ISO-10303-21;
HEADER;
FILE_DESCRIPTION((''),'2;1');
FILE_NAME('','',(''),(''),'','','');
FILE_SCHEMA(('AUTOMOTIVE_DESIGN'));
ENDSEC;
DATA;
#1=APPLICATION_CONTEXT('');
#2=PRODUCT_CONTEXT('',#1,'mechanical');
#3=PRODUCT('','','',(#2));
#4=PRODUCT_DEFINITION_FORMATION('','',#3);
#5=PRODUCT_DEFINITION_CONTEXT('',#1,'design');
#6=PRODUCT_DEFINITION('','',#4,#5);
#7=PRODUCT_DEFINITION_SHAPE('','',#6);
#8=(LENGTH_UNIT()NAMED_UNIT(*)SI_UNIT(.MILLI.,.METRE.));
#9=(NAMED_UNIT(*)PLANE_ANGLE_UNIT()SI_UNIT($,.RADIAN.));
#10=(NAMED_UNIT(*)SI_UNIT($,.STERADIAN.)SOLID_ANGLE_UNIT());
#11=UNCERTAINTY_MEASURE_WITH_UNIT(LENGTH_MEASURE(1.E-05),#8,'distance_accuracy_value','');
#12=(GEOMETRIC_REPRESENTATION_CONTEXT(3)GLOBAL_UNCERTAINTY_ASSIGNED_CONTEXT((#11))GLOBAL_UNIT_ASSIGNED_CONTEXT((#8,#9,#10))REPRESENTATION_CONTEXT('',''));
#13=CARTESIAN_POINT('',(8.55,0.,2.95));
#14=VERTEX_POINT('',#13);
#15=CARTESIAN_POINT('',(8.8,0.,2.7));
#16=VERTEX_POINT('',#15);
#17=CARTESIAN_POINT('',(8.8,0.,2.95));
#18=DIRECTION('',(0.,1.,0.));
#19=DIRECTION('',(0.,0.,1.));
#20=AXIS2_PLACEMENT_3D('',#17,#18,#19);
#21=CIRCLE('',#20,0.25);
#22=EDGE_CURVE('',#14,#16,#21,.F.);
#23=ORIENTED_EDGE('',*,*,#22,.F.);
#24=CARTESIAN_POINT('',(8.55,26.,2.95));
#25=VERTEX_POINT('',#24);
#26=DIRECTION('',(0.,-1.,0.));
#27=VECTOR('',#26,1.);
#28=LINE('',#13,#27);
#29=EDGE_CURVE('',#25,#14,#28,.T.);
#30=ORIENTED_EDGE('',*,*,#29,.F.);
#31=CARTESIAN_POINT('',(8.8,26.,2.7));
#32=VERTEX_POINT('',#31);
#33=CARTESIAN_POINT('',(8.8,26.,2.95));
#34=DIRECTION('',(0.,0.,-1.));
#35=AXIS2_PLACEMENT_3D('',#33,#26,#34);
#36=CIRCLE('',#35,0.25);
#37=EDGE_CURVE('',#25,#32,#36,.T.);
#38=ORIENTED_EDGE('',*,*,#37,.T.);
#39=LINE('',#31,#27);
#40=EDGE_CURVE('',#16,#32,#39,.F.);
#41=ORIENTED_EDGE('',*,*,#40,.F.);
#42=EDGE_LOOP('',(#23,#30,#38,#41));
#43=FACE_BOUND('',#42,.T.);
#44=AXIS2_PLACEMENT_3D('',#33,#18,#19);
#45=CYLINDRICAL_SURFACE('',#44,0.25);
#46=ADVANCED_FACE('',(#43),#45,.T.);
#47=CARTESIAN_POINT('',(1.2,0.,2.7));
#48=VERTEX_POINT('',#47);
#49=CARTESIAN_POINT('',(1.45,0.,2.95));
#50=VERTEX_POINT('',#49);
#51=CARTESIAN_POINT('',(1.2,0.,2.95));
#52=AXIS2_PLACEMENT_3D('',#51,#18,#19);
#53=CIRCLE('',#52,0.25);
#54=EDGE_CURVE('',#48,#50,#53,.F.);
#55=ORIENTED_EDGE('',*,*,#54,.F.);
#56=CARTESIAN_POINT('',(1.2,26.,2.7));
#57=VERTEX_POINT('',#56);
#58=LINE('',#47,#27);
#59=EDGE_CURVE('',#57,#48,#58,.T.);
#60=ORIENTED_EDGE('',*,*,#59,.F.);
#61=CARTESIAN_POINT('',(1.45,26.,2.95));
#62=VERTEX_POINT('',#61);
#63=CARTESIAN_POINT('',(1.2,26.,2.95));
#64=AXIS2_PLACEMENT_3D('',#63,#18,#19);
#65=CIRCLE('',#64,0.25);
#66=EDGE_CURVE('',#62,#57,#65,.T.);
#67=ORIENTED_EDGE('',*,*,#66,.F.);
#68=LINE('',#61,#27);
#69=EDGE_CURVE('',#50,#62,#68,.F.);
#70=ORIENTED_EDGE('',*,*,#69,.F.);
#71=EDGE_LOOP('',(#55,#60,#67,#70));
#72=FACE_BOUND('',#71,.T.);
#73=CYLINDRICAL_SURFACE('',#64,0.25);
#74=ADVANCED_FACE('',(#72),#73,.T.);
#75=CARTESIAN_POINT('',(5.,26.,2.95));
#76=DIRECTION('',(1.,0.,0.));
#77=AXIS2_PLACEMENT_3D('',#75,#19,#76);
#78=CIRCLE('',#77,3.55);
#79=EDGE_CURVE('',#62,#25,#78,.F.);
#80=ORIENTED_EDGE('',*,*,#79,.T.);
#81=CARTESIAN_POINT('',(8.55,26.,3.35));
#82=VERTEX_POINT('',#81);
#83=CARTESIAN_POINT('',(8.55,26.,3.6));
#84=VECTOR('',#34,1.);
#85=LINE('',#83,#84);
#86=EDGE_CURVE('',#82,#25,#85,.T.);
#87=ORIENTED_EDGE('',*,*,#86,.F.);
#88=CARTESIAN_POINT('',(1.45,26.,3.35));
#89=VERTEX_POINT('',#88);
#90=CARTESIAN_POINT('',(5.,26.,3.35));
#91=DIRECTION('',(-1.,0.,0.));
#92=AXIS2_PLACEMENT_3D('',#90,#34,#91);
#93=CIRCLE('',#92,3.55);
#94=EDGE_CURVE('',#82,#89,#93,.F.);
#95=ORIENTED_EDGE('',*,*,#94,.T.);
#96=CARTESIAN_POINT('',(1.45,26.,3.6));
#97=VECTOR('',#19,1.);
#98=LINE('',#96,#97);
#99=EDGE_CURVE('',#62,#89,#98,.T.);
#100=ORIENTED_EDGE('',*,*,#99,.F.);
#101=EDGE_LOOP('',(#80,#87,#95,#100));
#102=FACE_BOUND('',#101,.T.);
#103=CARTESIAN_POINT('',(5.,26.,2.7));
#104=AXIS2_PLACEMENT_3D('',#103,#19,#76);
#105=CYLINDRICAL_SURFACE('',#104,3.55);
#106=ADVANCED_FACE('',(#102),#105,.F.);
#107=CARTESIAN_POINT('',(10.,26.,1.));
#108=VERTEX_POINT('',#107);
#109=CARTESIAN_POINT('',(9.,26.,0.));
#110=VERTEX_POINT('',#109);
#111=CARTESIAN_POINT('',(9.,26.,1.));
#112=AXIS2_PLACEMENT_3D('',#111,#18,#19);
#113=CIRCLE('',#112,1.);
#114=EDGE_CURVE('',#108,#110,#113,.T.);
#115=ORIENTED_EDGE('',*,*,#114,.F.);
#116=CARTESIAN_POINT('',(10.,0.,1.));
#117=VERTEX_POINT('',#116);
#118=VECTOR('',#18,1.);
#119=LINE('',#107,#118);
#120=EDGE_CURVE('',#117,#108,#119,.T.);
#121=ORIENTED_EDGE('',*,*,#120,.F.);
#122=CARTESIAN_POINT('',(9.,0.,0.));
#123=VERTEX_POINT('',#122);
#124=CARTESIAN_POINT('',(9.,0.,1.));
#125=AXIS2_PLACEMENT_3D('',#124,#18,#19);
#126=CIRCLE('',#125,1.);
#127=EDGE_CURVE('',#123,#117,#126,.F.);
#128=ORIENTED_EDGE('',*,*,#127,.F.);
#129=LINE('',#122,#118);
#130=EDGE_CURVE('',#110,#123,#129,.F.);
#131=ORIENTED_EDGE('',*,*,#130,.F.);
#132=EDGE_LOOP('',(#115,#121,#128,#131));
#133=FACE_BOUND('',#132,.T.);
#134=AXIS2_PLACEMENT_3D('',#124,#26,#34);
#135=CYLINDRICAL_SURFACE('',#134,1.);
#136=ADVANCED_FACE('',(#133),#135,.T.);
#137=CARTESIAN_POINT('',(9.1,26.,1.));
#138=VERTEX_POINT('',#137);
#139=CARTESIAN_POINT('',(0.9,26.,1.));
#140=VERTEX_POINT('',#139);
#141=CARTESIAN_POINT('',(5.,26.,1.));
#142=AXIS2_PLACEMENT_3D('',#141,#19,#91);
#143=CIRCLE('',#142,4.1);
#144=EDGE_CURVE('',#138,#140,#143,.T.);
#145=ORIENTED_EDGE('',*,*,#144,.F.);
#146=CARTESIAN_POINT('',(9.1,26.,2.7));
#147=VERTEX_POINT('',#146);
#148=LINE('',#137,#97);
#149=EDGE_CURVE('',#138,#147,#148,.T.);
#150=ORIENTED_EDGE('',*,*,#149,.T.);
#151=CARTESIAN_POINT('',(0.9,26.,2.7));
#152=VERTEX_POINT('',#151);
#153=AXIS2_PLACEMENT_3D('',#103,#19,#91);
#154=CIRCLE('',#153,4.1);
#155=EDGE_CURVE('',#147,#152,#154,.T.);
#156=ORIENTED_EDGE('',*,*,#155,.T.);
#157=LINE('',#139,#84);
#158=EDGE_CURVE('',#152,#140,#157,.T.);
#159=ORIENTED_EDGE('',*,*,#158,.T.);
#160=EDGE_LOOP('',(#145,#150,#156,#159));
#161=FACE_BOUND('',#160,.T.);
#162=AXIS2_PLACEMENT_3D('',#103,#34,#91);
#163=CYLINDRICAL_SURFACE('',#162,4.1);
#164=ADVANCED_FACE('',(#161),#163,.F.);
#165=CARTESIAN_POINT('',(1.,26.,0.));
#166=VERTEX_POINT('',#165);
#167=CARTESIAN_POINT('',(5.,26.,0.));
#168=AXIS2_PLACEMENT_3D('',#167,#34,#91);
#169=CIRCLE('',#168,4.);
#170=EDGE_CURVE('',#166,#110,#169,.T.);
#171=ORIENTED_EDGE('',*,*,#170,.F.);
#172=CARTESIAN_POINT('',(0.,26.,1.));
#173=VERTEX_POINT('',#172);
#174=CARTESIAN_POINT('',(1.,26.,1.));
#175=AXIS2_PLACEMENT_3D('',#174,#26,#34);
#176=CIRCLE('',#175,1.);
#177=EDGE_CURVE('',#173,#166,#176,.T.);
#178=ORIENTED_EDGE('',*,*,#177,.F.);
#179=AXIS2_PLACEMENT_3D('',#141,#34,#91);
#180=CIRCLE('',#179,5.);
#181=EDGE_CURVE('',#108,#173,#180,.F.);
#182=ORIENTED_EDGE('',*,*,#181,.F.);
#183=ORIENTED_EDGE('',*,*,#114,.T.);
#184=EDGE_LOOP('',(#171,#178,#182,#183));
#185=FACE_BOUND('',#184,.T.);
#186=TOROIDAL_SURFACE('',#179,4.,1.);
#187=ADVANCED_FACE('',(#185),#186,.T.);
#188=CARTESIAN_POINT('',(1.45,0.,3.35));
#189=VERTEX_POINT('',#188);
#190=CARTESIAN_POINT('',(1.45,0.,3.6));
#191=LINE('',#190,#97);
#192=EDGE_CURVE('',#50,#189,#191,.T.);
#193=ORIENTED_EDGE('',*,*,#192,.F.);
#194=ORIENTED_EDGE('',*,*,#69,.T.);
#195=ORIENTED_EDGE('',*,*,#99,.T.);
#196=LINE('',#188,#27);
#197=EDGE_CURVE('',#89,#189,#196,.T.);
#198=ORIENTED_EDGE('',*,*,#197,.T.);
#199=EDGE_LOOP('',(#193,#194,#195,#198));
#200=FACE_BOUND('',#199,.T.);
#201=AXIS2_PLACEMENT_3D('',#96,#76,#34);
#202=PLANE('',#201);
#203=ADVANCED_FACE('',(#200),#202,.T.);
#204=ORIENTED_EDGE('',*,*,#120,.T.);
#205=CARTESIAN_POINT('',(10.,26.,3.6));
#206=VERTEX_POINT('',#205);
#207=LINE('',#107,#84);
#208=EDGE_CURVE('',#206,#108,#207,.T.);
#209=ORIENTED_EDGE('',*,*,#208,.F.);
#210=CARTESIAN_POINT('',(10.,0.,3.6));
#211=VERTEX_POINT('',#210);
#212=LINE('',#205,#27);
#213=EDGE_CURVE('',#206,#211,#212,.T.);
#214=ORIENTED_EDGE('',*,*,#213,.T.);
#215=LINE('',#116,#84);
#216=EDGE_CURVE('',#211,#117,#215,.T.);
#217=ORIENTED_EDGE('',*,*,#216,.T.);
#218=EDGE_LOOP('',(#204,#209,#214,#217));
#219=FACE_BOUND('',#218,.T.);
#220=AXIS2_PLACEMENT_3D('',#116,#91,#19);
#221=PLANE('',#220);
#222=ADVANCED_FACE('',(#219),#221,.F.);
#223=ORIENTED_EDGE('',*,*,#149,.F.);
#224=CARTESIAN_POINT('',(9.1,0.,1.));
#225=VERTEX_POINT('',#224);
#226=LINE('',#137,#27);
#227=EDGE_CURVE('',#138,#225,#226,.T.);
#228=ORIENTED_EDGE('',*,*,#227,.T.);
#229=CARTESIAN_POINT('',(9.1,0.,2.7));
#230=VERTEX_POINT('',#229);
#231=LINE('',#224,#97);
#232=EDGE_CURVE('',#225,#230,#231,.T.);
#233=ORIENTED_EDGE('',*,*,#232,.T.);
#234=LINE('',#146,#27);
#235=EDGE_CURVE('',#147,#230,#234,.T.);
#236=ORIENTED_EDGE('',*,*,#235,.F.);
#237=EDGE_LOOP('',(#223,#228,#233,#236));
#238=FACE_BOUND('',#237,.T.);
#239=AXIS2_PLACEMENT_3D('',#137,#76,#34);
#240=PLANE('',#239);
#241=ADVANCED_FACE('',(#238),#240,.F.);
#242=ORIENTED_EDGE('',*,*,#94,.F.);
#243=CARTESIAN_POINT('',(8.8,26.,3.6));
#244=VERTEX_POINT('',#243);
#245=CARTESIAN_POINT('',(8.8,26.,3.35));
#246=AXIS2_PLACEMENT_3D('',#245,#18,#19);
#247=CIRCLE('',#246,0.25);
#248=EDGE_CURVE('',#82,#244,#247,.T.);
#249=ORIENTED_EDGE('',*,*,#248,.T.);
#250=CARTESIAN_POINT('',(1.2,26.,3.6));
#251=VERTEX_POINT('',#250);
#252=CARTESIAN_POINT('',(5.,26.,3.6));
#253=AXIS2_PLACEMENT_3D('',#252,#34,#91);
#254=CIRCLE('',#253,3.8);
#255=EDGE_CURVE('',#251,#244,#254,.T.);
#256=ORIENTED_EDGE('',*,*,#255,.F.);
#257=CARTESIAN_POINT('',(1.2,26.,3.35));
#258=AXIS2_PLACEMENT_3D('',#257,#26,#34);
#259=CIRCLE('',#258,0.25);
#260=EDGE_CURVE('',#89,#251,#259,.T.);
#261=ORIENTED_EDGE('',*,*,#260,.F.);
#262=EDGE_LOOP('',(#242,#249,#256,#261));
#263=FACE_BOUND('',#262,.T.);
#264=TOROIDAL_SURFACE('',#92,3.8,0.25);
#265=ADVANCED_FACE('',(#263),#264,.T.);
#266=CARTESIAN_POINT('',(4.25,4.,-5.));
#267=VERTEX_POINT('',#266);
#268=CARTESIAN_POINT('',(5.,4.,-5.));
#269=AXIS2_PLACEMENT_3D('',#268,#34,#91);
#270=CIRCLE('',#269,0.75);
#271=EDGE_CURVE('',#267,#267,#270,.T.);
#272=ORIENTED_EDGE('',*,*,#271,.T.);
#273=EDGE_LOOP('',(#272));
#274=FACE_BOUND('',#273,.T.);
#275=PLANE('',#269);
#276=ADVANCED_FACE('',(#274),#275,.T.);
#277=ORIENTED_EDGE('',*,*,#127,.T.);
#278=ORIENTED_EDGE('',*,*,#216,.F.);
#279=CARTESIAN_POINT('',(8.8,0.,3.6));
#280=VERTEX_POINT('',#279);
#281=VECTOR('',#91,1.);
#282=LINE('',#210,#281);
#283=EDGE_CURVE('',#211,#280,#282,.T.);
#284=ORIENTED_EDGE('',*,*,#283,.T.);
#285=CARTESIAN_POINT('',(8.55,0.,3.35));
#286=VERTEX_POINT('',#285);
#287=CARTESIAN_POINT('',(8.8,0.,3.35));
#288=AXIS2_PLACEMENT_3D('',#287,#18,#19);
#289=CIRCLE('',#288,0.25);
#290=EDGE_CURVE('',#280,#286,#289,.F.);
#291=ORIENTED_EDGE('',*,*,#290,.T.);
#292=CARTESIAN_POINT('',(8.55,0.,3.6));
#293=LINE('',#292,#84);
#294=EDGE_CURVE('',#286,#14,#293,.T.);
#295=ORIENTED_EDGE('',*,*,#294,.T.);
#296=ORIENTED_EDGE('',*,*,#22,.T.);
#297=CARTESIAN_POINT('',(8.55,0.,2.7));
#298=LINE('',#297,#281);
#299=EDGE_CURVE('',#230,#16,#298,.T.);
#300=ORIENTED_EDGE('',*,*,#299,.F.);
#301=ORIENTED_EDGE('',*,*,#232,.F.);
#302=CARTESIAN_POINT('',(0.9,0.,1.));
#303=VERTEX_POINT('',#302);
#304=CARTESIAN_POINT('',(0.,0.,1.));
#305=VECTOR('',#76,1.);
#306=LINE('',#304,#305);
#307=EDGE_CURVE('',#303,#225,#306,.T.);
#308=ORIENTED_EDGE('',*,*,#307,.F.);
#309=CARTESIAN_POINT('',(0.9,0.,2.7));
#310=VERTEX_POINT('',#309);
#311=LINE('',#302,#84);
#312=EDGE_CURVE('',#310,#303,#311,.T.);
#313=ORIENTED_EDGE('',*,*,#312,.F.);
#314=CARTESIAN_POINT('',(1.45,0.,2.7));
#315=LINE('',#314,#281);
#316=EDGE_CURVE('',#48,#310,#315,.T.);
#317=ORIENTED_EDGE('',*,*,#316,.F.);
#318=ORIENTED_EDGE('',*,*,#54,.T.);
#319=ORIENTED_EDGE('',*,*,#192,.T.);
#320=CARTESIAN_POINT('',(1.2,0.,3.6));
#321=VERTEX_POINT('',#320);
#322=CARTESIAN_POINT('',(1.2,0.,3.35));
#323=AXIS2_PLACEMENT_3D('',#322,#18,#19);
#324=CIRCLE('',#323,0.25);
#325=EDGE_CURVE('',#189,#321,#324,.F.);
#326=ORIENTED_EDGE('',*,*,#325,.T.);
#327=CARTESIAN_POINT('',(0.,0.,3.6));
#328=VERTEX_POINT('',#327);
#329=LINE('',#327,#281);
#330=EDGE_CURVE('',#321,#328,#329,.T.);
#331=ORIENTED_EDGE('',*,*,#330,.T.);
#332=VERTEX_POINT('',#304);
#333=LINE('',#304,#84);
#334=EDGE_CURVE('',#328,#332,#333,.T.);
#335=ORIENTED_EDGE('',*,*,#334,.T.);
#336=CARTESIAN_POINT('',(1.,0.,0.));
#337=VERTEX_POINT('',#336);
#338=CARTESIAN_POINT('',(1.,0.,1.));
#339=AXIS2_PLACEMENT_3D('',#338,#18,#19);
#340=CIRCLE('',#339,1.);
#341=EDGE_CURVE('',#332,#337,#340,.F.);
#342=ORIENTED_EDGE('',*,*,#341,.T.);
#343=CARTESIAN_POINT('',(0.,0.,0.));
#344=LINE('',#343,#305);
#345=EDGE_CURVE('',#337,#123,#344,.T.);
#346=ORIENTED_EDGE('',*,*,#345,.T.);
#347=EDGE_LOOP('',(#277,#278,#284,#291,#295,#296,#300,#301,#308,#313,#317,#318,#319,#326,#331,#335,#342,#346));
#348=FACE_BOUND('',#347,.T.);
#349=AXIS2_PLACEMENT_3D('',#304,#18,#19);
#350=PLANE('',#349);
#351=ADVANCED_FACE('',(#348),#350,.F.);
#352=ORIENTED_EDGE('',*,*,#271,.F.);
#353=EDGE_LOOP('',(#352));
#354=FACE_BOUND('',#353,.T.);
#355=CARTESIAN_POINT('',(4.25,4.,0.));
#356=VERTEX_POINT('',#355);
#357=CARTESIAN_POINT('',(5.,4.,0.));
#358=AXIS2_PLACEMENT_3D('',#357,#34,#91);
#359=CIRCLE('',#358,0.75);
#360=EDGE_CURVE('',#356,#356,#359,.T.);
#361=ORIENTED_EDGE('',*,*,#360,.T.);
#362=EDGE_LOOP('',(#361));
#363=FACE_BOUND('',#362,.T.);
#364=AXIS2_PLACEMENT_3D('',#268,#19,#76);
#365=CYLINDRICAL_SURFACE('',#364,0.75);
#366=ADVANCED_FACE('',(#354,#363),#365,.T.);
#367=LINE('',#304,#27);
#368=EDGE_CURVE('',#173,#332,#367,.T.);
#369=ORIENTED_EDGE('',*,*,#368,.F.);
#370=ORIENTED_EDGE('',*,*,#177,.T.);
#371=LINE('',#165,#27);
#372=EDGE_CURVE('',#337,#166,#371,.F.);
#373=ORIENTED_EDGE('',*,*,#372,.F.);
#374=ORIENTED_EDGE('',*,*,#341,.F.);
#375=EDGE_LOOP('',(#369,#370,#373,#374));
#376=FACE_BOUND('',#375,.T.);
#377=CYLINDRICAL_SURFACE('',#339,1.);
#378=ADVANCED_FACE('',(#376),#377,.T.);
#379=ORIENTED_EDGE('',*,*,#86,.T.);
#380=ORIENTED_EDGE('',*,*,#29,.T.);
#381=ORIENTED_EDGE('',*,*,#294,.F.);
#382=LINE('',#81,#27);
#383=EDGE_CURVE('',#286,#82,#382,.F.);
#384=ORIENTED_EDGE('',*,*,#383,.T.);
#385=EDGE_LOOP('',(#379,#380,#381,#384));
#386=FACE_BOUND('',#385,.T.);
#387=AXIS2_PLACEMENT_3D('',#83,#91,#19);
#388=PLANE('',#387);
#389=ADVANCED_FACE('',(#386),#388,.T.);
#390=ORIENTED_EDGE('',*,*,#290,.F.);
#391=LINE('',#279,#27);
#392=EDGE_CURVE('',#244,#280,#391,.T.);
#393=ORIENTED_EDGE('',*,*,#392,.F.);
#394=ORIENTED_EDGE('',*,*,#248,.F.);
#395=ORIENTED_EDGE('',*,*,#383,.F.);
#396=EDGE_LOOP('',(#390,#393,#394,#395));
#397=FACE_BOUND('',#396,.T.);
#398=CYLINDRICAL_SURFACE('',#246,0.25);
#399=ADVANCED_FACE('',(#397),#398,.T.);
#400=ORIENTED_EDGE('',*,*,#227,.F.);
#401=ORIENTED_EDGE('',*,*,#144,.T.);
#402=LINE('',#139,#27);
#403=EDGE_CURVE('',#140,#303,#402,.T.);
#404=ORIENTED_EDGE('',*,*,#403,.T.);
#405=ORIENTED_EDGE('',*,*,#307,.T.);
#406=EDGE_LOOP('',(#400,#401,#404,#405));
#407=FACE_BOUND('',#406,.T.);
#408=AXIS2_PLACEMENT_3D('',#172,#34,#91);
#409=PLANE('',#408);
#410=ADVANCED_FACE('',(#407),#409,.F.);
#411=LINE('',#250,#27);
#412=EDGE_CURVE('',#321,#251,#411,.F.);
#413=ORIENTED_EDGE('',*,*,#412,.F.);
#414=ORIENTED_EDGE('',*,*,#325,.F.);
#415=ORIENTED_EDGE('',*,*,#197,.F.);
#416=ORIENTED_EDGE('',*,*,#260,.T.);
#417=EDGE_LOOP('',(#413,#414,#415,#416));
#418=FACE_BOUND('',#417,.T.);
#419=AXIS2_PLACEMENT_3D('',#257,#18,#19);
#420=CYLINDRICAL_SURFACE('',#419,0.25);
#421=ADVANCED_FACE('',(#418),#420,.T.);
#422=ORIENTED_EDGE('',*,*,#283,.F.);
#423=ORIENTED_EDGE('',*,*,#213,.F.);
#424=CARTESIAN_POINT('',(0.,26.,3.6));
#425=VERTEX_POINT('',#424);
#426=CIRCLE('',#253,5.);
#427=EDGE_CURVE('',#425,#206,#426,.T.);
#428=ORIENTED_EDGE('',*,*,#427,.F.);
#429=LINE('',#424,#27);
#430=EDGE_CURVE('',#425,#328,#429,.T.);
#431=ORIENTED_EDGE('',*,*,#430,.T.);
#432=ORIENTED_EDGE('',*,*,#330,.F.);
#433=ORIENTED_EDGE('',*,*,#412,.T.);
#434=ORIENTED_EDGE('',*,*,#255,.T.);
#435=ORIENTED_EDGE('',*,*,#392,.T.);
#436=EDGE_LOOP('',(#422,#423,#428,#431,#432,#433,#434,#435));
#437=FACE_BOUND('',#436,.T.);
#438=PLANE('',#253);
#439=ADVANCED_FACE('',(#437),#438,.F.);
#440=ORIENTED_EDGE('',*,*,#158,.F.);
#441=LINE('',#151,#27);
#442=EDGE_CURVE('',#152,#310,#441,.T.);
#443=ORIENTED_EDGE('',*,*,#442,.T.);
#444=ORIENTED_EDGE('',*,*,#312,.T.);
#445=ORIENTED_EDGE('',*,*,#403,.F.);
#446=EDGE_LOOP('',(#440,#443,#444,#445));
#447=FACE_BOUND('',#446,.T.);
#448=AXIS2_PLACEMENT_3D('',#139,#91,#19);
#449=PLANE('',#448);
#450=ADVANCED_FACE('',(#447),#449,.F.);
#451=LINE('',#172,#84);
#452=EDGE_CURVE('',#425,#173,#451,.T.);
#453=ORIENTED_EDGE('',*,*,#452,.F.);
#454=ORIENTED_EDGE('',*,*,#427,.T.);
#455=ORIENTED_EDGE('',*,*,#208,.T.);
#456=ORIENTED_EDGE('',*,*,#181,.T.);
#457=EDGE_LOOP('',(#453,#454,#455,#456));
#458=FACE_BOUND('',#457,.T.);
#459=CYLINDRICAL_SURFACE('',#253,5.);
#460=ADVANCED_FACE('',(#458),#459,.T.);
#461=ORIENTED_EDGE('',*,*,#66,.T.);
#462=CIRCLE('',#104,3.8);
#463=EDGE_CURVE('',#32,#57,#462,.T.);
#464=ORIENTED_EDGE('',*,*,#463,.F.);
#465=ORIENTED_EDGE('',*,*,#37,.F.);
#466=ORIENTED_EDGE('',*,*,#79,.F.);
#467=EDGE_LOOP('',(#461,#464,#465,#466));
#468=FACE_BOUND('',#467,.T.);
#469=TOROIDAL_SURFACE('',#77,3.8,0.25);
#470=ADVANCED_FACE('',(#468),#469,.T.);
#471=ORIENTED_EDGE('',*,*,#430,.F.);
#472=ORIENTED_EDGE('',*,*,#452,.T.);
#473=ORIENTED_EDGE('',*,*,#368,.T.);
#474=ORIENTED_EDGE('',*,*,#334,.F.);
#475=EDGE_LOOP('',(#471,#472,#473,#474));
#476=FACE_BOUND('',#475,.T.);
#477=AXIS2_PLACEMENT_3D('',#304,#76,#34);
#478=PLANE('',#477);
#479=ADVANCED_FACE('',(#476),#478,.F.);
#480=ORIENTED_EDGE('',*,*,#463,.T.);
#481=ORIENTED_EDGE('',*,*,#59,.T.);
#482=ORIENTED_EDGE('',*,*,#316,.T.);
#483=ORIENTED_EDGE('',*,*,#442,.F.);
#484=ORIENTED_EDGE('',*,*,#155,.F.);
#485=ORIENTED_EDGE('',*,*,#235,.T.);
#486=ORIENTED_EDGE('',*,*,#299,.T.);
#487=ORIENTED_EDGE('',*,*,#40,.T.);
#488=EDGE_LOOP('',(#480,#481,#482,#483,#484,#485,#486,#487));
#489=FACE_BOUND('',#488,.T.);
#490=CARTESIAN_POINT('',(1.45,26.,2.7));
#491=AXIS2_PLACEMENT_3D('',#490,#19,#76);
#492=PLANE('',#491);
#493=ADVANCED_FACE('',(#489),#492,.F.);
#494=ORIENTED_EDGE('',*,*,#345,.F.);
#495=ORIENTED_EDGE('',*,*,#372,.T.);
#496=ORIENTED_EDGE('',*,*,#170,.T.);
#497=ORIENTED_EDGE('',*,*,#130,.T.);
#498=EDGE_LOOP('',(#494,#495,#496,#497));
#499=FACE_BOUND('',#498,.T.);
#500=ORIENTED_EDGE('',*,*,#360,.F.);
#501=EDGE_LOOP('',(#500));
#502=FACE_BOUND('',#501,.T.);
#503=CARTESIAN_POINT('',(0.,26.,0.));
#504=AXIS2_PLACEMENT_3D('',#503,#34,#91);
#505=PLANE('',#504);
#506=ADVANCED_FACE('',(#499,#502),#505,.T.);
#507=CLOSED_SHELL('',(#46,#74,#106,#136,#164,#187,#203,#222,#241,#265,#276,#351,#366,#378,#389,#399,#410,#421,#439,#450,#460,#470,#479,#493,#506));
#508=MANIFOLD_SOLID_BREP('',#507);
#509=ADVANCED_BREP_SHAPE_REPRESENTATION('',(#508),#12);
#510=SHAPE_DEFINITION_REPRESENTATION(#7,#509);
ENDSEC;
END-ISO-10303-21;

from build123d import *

# Parameters (mm, degrees)
SKETCH1_W            = 10
SKETCH1_H            = 26
BOSS_EXTRUDE1_DEPTH  = 1
BOSS_EXTRUDE5_DEPTH  = 3.6
SKETCH6_W            = 1.45
SKETCH6_H            = 2.6
BOSS_EXTRUDE9_DEPTH  = 26
SKETCH7_W            = 0.55
SKETCH7_H            = 1.7
CUT_EXTRUDE1_DEPTH   = 26
CUT_EXTRUDE3_DEPTH   = 0.9
CUT_EXTRUDE4_DEPTH   = 1.7
FILLET1_R            = 0.25
FILLET2_R            = 1
SKETCH12_R           = 0.75
BOSS_EXTRUDE10_DEPTH = 5


with BuildPart() as part:
    # Sketch1 → Boss-Extrude1 (new body)
    with BuildSketch(Plane.XY):
        with Locations((5, 13)):
            Rectangle(SKETCH1_W, SKETCH1_H)
    extrude(amount=BOSS_EXTRUDE1_DEPTH)

    # Sketch2 → Boss-Extrude5 (add)
    with BuildSketch(Plane(origin=(0, 0, 0), x_dir=(-1, 0, 0), z_dir=(0, 0, -1))):
        with BuildLine():
            Line((-10, 26), (0, 26))
            ThreePointArc((0, 26), (-5, 31), (-10, 26))
        make_face()
    extrude(amount=-BOSS_EXTRUDE5_DEPTH)

    # Sketch6 → Boss-Extrude9 (add)
    with BuildSketch(Plane.XZ):
        with Locations((0.725, 2.3)):
            Rectangle(SKETCH6_W, SKETCH6_H)
        with Locations((9.275, 2.3)):
            Rectangle(SKETCH6_W, SKETCH6_H)
    extrude(amount=-BOSS_EXTRUDE9_DEPTH)

    # Sketch7 → Cut-Extrude1 (cut)
    with BuildSketch(Plane.XZ):
        with Locations((1.175, 1.85)):
            Rectangle(SKETCH7_W, SKETCH7_H)
        with Locations((8.825, 1.85)):
            Rectangle(SKETCH7_W, SKETCH7_H)
    extrude(amount=-CUT_EXTRUDE1_DEPTH, mode=Mode.SUBTRACT)

    # Sketch10 → Cut-Extrude3 (cut)
    with BuildSketch(Plane.XY.offset(3.6)):
        with BuildLine():
            Line((1.45, 26), (8.55, 26))
            ThreePointArc((8.55, 26), (5, 29.55), (1.45, 26))
        make_face()
    extrude(amount=-CUT_EXTRUDE3_DEPTH, mode=Mode.SUBTRACT)

    # Sketch11 → Cut-Extrude4 (cut)
    with BuildSketch(Plane.XY.offset(1)):
        with BuildLine():
            Line((0.9, 26), (9.1, 26))
            ThreePointArc((9.1, 26), (5, 30.1), (0.9, 26))
        make_face()
    extrude(amount=CUT_EXTRUDE4_DEPTH, mode=Mode.SUBTRACT)

    # Fillet1
    fillet1_edges = [part.edges().sort_by_distance(p)[0] for p in [
        (1.45, 13, 3.6),
        (8.55, 13, 3.6),
        (1.45, 13, 2.7),
        (8.55, 13, 2.7),
        (5, 29.55, 2.7),
        (5, 29.55, 3.6),
    ]]
    fillet(fillet1_edges, radius=FILLET1_R)

    # Fillet2
    fillet2_edges = [part.edges().sort_by_distance(p)[0] for p in [
        (5, 31, 0),
        (10, 13, 0),
        (0, 13, 0),
    ]]
    fillet(fillet2_edges, radius=FILLET2_R)

    # Sketch12 → Boss-Extrude10 (add)
    with BuildSketch(Plane(origin=(0, 0, 0), x_dir=(-1, 0, 0), z_dir=(0, 0, -1))):
        with Locations((-5, 4)):
            Circle(SKETCH12_R)
    extrude(amount=BOSS_EXTRUDE10_DEPTH)


solid = part.part
